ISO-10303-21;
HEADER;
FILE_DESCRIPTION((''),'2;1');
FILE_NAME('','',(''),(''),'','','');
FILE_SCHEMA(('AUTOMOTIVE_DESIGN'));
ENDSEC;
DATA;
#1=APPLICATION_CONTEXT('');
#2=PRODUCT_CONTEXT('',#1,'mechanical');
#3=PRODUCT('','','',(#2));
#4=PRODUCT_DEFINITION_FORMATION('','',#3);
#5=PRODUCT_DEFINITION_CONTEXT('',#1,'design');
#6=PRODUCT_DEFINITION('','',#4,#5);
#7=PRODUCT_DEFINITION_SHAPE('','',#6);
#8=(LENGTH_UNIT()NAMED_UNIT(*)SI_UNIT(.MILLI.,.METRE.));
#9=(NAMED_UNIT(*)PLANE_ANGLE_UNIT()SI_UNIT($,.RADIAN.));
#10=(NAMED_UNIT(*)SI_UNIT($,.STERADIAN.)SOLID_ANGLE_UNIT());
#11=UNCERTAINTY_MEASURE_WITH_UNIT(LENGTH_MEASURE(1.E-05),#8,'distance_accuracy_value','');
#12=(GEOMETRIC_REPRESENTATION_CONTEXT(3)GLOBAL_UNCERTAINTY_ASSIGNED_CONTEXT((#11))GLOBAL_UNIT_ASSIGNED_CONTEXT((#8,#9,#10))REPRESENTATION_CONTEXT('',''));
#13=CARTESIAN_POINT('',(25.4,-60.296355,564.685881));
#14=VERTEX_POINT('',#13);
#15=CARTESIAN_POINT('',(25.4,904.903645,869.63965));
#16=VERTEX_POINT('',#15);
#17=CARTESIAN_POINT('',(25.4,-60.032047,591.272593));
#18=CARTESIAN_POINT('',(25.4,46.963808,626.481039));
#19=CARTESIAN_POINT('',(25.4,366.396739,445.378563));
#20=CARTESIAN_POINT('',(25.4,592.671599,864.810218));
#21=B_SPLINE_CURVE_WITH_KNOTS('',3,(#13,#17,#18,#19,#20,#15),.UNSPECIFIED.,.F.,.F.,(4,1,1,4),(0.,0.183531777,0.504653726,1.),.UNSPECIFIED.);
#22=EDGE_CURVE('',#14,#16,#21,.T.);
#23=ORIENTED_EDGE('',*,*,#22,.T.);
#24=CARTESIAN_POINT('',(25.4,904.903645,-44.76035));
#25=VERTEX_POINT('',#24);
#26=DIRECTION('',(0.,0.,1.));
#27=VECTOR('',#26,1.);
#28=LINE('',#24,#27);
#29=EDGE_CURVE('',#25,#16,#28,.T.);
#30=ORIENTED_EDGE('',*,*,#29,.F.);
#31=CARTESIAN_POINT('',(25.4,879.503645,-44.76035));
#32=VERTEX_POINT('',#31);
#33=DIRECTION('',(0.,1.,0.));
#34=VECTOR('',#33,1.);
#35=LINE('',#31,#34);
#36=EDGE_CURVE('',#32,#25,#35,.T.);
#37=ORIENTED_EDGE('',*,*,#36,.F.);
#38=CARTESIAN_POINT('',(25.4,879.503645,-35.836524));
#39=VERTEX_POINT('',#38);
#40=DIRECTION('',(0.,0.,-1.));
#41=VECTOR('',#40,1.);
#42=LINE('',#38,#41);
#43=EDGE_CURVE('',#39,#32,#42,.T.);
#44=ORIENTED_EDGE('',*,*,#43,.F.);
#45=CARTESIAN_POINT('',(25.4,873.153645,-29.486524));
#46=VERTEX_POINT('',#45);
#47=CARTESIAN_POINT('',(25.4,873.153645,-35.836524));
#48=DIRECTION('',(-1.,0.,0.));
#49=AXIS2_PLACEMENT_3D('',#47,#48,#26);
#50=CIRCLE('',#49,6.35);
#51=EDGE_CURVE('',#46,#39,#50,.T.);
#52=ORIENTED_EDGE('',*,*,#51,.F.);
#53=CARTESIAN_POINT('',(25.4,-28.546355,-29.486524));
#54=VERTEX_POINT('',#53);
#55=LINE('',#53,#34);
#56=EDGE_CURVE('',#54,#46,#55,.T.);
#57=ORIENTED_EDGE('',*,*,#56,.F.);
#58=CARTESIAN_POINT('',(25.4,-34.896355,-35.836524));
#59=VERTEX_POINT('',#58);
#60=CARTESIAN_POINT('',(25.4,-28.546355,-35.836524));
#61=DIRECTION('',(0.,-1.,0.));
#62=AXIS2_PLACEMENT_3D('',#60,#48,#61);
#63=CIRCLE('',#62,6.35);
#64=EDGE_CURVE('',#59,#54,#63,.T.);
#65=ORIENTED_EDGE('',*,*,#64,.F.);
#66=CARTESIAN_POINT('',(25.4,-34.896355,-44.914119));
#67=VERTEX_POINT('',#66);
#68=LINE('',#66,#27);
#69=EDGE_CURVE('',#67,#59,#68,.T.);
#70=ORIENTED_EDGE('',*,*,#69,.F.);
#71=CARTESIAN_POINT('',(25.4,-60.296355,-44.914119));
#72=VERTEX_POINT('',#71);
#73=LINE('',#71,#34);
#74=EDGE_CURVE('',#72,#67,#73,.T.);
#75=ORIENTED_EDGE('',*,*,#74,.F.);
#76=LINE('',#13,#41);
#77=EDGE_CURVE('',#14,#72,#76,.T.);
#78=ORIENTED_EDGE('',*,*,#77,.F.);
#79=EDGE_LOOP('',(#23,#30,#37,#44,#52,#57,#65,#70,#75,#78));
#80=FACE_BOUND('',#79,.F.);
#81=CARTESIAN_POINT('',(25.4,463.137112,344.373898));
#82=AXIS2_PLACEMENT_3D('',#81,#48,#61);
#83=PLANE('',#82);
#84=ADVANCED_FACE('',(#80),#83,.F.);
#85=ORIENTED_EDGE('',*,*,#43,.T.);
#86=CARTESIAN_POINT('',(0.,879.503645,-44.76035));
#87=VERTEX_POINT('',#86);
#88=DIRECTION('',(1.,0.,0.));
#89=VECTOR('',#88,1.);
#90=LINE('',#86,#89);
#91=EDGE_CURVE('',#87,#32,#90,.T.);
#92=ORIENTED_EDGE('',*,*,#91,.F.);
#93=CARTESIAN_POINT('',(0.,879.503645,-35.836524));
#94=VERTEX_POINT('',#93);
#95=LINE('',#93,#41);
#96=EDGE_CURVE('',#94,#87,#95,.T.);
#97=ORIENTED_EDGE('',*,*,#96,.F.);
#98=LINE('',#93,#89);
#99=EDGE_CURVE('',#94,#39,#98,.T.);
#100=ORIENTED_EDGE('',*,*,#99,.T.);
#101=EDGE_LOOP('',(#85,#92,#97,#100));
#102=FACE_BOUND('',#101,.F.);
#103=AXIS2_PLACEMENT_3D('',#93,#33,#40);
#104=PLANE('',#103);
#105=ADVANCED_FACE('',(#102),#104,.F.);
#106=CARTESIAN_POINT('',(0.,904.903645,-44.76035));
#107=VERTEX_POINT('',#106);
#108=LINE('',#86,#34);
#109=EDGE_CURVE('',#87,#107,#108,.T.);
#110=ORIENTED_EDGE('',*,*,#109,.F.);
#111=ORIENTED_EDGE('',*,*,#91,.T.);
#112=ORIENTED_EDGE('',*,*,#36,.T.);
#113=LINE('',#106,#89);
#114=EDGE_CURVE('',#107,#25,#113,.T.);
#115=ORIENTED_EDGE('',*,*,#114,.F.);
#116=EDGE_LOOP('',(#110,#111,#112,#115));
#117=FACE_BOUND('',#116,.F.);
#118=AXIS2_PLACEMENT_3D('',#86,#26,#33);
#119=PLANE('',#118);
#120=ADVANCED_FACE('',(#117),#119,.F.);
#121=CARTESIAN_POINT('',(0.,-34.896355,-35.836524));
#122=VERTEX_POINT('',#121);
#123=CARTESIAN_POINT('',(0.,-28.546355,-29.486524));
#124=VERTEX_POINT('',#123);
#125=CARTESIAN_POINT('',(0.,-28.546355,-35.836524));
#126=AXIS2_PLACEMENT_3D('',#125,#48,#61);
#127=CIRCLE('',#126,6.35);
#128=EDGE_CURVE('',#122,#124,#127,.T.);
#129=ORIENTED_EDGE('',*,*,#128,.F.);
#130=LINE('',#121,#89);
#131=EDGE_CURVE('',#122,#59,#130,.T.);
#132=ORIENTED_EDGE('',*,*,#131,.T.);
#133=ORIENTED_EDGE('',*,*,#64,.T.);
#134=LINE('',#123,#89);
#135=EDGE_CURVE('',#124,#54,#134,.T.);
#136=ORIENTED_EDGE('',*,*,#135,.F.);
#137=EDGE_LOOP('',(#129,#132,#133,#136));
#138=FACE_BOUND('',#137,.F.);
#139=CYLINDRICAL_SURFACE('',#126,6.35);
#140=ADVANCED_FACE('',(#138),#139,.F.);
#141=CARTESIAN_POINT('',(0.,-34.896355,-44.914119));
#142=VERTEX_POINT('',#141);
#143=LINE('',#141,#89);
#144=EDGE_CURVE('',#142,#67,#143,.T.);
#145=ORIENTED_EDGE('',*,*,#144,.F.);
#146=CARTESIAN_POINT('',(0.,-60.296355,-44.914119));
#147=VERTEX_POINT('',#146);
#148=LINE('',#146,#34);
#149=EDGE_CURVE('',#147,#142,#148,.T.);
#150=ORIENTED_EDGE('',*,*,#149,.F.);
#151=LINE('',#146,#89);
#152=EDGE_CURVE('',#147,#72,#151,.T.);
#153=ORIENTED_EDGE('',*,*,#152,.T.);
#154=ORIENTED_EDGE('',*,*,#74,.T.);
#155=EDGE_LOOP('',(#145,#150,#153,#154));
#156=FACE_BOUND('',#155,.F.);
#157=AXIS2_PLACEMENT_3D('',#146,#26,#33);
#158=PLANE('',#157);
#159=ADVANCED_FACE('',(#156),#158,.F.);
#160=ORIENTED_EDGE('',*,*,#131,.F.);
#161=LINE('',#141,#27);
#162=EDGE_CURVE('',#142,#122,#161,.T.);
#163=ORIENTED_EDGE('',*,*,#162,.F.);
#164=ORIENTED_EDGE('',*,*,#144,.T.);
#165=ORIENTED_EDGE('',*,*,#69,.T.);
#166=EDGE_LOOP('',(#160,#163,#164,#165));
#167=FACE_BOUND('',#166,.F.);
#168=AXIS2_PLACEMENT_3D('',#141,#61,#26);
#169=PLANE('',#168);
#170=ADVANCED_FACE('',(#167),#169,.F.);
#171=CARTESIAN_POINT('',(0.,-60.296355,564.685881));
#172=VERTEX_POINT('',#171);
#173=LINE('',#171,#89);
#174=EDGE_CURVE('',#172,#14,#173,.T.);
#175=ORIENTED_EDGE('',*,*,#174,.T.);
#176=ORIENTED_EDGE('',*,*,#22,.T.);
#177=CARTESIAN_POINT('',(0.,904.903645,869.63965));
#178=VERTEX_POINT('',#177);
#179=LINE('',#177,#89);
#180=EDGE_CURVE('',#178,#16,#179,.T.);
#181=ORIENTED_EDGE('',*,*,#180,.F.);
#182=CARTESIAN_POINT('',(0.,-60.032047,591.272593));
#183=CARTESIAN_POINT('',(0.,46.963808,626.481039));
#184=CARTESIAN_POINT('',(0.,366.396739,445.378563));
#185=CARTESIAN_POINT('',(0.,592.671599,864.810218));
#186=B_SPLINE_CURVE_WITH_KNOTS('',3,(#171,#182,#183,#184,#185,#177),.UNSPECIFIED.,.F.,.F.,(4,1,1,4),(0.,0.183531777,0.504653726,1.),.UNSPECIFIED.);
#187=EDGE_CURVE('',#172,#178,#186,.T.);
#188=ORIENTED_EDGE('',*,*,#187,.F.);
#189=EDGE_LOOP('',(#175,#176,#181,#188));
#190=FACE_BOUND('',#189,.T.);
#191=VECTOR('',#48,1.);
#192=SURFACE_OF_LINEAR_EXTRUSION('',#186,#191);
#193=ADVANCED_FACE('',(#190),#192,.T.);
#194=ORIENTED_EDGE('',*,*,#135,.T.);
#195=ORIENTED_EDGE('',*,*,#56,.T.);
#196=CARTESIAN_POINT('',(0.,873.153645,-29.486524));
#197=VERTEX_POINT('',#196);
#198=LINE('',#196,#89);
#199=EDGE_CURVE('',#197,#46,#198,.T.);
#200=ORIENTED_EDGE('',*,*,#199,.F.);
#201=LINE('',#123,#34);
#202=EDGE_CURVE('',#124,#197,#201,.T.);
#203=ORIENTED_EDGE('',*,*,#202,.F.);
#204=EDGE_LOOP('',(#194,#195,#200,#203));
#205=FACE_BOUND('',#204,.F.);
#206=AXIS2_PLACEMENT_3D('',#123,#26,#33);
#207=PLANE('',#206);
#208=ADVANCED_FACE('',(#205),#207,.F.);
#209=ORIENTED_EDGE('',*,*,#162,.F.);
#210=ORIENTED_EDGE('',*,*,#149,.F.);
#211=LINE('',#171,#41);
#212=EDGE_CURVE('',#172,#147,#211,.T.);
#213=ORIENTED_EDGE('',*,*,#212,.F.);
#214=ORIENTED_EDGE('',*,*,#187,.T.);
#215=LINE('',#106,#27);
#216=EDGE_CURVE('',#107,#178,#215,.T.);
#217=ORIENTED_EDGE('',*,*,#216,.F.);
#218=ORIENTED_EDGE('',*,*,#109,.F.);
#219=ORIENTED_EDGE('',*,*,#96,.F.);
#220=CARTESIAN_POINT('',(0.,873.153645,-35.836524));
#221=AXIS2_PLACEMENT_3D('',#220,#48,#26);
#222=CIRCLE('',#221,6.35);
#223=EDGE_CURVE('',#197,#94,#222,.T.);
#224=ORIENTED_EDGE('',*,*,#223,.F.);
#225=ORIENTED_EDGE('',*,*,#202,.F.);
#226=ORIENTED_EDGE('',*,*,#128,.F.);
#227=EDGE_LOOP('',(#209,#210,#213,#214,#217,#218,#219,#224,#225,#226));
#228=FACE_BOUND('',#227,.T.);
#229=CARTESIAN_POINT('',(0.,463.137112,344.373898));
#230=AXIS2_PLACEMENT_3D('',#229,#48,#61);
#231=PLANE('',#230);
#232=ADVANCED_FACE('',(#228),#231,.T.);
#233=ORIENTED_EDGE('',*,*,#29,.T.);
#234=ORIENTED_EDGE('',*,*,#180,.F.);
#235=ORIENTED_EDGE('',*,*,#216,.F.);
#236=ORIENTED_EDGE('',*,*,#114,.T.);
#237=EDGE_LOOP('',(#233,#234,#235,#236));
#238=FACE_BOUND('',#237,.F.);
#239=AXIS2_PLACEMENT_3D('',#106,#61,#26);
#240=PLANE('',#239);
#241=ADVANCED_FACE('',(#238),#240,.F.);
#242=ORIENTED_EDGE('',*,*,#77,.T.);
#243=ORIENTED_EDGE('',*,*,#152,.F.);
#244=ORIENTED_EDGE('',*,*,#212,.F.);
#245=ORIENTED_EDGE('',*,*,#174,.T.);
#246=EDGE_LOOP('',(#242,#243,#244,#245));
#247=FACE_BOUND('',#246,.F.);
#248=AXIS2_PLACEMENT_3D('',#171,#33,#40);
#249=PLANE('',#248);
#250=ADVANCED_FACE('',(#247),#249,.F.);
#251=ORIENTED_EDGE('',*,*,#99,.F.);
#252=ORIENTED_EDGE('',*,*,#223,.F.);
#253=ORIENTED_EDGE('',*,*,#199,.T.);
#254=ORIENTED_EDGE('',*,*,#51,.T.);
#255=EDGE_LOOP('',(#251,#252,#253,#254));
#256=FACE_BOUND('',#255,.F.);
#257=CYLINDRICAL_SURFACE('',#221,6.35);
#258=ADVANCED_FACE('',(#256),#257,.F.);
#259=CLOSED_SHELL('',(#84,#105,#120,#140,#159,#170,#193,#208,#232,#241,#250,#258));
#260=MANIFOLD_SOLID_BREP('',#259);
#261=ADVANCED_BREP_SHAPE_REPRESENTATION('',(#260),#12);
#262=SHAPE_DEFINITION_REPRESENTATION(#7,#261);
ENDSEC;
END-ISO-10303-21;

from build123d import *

# Parameters (mm, degrees)
F1_DEPTH = 25.4


with BuildPart() as f1:
    # F0 (on Right) → F1 (new body)
    with BuildSketch(Plane.YZ):
        with BuildLine():
            add(Edge.make_bspline(
                [(-60.2963551223, 564.6858811378), (-60.0320473313, 591.2725925446), (46.9638078803, 626.4810392378), (366.3967390835, 445.378562913), (592.6715987205, 864.8102179789), (904.9036448777, 869.6396498621)],
                knots=[0, 0, 0, 0, 0.1835317768, 0.5046537257, 1, 1, 1, 1], degree=3))
            Line((-60.2963551223, 564.6858811378), (-60.2963551223, -44.9141188622))
            Line((-60.2963551223, -44.9141188622), (-34.8963551223, -44.9141188622))
            Line((-34.8963551223, -44.9141188622), (-34.8963551223, -35.8365239412))
            ThreePointArc((-34.8963551223, -35.8365239412), (-33.0364831829, -31.3463958806), (-28.5463551223, -29.4865239412))
            Line((-28.5463551223, -29.4865239412), (873.1536448777, -29.4865239412))
            ThreePointArc((873.1536448777, -29.4865239412), (877.6437729382, -31.3463958806), (879.5036448777, -35.8365239412))
            Line((879.5036448777, -35.8365239412), (879.5036448777, -44.7603501379))
            Line((879.5036448777, -44.7603501379), (904.9036448777, -44.7603501379))
            Line((904.9036448777, -44.7603501379), (904.9036448777, 869.6396498621))
        make_face()
    extrude(amount=F1_DEPTH)


solid = f1.part
